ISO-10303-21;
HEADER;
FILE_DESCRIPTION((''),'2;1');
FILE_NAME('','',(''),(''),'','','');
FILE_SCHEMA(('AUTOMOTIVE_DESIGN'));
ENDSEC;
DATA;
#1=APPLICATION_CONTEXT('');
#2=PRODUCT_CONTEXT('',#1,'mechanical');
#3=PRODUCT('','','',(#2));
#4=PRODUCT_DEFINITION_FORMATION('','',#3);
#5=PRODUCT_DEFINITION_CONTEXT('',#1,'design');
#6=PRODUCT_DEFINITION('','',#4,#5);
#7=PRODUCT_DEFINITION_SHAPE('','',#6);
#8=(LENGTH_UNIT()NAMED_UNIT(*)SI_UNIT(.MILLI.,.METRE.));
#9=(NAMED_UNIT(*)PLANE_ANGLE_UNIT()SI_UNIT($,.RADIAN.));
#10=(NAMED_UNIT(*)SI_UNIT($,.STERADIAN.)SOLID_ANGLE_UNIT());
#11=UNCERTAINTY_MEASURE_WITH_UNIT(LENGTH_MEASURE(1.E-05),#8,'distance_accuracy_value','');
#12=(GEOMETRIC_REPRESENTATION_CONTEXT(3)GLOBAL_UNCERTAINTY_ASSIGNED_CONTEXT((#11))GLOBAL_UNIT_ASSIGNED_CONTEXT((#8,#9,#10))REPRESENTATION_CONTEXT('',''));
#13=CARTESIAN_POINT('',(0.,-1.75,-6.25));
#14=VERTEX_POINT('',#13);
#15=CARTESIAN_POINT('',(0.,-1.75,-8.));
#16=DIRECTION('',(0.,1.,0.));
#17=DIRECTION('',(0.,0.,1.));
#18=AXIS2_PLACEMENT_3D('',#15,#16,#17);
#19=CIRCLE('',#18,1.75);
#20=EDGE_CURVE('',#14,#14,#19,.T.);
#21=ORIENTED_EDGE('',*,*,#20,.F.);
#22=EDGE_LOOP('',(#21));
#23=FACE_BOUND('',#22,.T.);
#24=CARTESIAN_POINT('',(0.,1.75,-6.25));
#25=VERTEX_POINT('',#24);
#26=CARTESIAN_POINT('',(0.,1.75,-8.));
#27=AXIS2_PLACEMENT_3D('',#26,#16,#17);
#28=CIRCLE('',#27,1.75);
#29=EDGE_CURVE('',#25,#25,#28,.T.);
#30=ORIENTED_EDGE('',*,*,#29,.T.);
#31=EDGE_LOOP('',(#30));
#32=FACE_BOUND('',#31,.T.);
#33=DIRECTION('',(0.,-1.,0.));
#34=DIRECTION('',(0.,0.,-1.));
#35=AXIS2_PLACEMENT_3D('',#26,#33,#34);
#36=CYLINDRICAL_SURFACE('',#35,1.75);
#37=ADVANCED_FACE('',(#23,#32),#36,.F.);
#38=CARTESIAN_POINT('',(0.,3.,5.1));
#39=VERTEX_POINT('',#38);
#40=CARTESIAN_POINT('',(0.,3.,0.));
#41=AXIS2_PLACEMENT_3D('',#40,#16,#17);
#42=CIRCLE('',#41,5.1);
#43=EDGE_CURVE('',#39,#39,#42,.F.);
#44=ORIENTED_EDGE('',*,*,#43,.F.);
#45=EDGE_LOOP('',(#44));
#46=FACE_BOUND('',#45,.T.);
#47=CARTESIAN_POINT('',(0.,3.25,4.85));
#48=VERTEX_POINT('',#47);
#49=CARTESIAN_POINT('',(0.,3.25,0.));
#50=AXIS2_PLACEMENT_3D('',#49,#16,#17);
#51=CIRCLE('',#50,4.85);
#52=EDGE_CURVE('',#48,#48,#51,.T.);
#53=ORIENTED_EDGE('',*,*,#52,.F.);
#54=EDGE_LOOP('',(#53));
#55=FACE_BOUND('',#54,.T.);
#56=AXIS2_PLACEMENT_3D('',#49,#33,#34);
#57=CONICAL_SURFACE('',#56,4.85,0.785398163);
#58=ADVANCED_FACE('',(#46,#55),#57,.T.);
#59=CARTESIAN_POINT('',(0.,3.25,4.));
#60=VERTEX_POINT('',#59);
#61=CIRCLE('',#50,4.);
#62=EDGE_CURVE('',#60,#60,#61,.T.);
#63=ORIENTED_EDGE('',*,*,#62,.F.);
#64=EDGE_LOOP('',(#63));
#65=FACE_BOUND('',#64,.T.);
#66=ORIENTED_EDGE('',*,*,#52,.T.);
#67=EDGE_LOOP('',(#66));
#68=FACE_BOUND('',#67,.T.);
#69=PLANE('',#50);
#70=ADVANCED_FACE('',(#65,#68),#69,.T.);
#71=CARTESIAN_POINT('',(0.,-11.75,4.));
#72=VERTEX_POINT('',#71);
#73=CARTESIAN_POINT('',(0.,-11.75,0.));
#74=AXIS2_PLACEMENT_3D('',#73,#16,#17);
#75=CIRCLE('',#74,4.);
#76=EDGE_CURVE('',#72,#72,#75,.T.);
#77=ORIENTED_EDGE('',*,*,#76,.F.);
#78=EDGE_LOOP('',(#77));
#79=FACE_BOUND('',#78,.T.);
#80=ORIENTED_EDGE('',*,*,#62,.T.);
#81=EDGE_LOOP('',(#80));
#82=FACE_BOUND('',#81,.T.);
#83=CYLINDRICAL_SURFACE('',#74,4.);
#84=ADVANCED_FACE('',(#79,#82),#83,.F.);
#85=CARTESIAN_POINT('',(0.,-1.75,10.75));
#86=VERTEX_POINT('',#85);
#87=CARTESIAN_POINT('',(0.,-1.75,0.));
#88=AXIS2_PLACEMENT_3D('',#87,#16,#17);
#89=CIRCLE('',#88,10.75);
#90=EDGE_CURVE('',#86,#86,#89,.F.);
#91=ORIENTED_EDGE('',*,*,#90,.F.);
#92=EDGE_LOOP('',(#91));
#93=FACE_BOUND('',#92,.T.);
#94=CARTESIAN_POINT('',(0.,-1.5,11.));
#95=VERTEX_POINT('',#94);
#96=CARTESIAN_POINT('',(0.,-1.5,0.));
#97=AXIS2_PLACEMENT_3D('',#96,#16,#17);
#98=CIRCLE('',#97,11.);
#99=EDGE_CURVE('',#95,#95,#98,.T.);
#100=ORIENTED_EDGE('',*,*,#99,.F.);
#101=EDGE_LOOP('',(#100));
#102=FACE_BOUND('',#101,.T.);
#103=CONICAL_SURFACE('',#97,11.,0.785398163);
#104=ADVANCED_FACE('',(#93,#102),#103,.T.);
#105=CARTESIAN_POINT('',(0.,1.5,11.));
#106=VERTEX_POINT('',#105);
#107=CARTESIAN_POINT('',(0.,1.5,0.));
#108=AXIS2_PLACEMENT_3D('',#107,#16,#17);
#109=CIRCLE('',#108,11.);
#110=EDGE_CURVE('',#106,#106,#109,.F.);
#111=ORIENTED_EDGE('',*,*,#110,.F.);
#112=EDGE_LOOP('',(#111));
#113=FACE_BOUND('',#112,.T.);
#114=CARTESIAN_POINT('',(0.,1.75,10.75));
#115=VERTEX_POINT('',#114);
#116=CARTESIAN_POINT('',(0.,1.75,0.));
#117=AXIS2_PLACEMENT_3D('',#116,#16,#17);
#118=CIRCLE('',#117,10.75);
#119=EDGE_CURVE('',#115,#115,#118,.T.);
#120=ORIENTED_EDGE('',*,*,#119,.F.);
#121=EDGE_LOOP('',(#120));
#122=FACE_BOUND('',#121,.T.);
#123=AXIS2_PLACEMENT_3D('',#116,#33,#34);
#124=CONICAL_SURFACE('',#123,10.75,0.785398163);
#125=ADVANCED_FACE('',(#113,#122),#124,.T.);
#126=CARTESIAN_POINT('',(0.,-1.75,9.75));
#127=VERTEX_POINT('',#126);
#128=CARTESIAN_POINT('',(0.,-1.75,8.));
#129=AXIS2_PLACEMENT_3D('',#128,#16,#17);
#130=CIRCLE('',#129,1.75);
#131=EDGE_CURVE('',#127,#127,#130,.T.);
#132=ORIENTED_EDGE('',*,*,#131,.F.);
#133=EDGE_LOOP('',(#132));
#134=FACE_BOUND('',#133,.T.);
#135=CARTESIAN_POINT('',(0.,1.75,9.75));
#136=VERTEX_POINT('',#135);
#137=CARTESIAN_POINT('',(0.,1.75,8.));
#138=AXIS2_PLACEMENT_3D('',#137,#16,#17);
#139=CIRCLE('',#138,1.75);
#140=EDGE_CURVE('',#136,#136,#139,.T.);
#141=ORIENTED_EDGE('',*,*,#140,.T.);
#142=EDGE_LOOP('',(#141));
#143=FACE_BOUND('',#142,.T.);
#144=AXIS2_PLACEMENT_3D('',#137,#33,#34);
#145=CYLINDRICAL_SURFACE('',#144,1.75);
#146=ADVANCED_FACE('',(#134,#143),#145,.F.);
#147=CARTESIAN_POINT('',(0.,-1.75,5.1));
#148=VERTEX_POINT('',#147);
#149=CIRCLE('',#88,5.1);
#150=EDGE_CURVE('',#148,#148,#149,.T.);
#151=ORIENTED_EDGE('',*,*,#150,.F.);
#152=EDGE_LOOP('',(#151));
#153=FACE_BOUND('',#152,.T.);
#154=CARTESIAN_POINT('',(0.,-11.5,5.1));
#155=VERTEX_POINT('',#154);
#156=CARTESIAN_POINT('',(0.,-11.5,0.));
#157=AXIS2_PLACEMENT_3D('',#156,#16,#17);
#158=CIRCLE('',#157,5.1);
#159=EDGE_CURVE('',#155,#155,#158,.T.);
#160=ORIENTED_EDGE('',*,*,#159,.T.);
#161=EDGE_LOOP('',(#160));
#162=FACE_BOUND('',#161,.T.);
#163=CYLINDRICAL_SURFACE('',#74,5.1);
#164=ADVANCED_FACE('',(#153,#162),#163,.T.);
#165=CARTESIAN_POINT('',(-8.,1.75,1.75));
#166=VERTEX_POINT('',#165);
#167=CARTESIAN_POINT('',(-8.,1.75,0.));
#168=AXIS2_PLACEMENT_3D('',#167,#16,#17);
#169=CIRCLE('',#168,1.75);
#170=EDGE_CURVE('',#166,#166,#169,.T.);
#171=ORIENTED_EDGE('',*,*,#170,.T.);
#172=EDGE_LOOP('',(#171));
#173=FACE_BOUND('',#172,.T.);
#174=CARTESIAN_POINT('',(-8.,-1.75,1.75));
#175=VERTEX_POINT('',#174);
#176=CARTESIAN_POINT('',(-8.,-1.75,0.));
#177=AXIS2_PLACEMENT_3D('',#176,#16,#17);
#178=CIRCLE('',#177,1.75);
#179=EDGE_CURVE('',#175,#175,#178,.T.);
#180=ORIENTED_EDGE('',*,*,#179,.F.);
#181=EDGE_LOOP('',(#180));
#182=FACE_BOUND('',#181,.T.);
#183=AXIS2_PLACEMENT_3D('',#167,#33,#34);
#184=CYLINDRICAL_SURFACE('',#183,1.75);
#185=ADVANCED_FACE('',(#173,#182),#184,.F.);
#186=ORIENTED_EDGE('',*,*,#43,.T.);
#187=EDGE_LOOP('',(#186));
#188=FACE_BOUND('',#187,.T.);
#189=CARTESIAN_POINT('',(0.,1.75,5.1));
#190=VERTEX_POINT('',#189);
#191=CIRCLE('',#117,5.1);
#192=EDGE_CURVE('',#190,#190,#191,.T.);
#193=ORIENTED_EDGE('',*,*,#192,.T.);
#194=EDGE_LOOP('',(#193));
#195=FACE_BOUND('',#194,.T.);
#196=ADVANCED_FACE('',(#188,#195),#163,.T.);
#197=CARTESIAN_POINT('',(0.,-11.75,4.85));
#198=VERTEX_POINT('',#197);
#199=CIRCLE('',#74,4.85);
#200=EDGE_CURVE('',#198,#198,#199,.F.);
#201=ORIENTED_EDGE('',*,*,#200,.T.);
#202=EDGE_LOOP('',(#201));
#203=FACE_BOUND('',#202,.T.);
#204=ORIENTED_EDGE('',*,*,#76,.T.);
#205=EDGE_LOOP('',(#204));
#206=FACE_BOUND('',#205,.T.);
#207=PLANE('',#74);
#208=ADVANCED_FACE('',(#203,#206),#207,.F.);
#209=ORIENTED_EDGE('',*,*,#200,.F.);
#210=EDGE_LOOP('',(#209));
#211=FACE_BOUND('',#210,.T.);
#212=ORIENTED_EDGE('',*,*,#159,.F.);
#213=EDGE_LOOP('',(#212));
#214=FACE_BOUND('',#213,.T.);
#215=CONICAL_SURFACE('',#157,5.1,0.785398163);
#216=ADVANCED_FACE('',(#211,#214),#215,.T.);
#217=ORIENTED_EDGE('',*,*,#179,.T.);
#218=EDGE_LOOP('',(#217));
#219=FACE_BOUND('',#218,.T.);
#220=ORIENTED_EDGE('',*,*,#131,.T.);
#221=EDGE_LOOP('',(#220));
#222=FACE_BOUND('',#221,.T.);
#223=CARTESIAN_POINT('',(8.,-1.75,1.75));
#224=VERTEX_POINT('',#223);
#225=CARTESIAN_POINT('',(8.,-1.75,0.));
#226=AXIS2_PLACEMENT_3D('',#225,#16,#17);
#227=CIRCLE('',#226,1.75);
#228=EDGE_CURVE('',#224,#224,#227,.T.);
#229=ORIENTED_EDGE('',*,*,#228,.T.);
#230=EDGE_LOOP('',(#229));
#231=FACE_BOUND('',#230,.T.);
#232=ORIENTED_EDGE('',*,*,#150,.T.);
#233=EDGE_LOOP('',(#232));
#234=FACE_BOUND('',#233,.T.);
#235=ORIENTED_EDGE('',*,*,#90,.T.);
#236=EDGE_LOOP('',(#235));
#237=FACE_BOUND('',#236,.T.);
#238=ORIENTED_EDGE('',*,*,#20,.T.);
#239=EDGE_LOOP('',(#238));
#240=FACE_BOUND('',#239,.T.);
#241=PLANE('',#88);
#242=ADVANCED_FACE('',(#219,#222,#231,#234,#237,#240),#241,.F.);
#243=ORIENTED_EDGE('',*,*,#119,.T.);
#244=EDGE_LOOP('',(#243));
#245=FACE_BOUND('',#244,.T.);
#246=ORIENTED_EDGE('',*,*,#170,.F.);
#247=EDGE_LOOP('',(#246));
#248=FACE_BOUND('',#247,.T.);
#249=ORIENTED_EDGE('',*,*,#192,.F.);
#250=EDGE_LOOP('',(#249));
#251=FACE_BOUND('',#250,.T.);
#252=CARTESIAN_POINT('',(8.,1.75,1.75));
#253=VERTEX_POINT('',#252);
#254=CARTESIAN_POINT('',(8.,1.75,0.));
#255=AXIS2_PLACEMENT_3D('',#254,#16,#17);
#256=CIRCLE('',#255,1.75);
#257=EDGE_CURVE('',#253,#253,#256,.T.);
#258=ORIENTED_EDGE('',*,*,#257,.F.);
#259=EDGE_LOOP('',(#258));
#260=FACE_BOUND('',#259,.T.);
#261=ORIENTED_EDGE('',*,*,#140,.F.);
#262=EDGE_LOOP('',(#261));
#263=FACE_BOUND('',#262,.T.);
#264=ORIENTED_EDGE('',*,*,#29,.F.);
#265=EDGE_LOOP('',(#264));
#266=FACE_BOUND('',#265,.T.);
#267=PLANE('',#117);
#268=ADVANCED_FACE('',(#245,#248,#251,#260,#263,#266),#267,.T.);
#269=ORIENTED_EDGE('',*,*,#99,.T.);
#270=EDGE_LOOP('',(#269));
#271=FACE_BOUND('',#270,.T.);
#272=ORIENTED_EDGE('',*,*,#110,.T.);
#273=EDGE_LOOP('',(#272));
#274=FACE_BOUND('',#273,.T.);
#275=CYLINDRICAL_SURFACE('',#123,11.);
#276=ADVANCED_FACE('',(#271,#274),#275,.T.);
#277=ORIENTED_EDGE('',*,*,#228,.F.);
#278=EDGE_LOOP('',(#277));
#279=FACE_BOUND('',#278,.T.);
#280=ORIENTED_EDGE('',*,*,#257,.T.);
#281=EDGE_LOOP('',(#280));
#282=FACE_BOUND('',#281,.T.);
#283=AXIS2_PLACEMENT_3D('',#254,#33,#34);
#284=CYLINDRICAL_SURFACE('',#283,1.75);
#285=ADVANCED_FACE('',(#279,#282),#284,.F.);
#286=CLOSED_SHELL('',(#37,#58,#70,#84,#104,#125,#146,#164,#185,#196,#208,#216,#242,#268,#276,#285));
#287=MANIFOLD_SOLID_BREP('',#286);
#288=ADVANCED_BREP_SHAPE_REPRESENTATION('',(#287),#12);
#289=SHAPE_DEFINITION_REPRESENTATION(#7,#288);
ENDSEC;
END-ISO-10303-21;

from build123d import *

# Parameters (mm, degrees)
SKETCH1_R                = 11
SKETCH1_R_2              = 5.1
SKETCH1_R_3              = 1.75
BOSS_EXTRUDE1_DEPTH      = 1.75
BOSS_EXTRUDE2_DEPTH      = 3.25
BOSS_EXTRUDE2_DEPTH_BACK = 11.75
SKETCH1_3_R              = 5.1
SKETCH1_3_R_2            = 4
CHAMFER1_SIZE            = 0.25


with BuildPart() as part:
    # Sketch1 → Boss-Extrude1 (new, symmetric)
    with BuildSketch(Plane(origin=(0, 0, 0), x_dir=(1, 0, 0), z_dir=(0, 1, 0))):
        Circle(SKETCH1_R)
        Circle(SKETCH1_R_2, mode=Mode.SUBTRACT)
        with Locations((0, 8)):
            Circle(SKETCH1_R_3, mode=Mode.SUBTRACT)
        with Locations((8, 0)):
            Circle(SKETCH1_R_3, mode=Mode.SUBTRACT)
        with Locations((0, -8)):
            Circle(SKETCH1_R_3, mode=Mode.SUBTRACT)
        with Locations((-8, 0)):
            Circle(SKETCH1_R_3, mode=Mode.SUBTRACT)
    extrude(amount=BOSS_EXTRUDE1_DEPTH, both=True)

    # Sketch1<3> → Boss-Extrude2 (add, two sides: drawn at the far end of the back side and taken through both)
    with BuildSketch(Plane(origin=(0, 0, 0), x_dir=(1, 0, 0), z_dir=(0, 1, 0)).offset(-BOSS_EXTRUDE2_DEPTH_BACK)):
        Circle(SKETCH1_3_R)
        Circle(SKETCH1_3_R_2, mode=Mode.SUBTRACT)
    extrude(amount=BOSS_EXTRUDE2_DEPTH + BOSS_EXTRUDE2_DEPTH_BACK)

    # Chamfer1
    chamfer1_edges = [part.edges().sort_by_distance(p)[0] for p in [
        (-5.1, -11.75, 0),
        (-11, -1.75, 0),
        (-11, 1.75, 0),
        (-5.1, 3.25, 0),
    ]]
    chamfer(chamfer1_edges, length=CHAMFER1_SIZE)


solid = part.part
